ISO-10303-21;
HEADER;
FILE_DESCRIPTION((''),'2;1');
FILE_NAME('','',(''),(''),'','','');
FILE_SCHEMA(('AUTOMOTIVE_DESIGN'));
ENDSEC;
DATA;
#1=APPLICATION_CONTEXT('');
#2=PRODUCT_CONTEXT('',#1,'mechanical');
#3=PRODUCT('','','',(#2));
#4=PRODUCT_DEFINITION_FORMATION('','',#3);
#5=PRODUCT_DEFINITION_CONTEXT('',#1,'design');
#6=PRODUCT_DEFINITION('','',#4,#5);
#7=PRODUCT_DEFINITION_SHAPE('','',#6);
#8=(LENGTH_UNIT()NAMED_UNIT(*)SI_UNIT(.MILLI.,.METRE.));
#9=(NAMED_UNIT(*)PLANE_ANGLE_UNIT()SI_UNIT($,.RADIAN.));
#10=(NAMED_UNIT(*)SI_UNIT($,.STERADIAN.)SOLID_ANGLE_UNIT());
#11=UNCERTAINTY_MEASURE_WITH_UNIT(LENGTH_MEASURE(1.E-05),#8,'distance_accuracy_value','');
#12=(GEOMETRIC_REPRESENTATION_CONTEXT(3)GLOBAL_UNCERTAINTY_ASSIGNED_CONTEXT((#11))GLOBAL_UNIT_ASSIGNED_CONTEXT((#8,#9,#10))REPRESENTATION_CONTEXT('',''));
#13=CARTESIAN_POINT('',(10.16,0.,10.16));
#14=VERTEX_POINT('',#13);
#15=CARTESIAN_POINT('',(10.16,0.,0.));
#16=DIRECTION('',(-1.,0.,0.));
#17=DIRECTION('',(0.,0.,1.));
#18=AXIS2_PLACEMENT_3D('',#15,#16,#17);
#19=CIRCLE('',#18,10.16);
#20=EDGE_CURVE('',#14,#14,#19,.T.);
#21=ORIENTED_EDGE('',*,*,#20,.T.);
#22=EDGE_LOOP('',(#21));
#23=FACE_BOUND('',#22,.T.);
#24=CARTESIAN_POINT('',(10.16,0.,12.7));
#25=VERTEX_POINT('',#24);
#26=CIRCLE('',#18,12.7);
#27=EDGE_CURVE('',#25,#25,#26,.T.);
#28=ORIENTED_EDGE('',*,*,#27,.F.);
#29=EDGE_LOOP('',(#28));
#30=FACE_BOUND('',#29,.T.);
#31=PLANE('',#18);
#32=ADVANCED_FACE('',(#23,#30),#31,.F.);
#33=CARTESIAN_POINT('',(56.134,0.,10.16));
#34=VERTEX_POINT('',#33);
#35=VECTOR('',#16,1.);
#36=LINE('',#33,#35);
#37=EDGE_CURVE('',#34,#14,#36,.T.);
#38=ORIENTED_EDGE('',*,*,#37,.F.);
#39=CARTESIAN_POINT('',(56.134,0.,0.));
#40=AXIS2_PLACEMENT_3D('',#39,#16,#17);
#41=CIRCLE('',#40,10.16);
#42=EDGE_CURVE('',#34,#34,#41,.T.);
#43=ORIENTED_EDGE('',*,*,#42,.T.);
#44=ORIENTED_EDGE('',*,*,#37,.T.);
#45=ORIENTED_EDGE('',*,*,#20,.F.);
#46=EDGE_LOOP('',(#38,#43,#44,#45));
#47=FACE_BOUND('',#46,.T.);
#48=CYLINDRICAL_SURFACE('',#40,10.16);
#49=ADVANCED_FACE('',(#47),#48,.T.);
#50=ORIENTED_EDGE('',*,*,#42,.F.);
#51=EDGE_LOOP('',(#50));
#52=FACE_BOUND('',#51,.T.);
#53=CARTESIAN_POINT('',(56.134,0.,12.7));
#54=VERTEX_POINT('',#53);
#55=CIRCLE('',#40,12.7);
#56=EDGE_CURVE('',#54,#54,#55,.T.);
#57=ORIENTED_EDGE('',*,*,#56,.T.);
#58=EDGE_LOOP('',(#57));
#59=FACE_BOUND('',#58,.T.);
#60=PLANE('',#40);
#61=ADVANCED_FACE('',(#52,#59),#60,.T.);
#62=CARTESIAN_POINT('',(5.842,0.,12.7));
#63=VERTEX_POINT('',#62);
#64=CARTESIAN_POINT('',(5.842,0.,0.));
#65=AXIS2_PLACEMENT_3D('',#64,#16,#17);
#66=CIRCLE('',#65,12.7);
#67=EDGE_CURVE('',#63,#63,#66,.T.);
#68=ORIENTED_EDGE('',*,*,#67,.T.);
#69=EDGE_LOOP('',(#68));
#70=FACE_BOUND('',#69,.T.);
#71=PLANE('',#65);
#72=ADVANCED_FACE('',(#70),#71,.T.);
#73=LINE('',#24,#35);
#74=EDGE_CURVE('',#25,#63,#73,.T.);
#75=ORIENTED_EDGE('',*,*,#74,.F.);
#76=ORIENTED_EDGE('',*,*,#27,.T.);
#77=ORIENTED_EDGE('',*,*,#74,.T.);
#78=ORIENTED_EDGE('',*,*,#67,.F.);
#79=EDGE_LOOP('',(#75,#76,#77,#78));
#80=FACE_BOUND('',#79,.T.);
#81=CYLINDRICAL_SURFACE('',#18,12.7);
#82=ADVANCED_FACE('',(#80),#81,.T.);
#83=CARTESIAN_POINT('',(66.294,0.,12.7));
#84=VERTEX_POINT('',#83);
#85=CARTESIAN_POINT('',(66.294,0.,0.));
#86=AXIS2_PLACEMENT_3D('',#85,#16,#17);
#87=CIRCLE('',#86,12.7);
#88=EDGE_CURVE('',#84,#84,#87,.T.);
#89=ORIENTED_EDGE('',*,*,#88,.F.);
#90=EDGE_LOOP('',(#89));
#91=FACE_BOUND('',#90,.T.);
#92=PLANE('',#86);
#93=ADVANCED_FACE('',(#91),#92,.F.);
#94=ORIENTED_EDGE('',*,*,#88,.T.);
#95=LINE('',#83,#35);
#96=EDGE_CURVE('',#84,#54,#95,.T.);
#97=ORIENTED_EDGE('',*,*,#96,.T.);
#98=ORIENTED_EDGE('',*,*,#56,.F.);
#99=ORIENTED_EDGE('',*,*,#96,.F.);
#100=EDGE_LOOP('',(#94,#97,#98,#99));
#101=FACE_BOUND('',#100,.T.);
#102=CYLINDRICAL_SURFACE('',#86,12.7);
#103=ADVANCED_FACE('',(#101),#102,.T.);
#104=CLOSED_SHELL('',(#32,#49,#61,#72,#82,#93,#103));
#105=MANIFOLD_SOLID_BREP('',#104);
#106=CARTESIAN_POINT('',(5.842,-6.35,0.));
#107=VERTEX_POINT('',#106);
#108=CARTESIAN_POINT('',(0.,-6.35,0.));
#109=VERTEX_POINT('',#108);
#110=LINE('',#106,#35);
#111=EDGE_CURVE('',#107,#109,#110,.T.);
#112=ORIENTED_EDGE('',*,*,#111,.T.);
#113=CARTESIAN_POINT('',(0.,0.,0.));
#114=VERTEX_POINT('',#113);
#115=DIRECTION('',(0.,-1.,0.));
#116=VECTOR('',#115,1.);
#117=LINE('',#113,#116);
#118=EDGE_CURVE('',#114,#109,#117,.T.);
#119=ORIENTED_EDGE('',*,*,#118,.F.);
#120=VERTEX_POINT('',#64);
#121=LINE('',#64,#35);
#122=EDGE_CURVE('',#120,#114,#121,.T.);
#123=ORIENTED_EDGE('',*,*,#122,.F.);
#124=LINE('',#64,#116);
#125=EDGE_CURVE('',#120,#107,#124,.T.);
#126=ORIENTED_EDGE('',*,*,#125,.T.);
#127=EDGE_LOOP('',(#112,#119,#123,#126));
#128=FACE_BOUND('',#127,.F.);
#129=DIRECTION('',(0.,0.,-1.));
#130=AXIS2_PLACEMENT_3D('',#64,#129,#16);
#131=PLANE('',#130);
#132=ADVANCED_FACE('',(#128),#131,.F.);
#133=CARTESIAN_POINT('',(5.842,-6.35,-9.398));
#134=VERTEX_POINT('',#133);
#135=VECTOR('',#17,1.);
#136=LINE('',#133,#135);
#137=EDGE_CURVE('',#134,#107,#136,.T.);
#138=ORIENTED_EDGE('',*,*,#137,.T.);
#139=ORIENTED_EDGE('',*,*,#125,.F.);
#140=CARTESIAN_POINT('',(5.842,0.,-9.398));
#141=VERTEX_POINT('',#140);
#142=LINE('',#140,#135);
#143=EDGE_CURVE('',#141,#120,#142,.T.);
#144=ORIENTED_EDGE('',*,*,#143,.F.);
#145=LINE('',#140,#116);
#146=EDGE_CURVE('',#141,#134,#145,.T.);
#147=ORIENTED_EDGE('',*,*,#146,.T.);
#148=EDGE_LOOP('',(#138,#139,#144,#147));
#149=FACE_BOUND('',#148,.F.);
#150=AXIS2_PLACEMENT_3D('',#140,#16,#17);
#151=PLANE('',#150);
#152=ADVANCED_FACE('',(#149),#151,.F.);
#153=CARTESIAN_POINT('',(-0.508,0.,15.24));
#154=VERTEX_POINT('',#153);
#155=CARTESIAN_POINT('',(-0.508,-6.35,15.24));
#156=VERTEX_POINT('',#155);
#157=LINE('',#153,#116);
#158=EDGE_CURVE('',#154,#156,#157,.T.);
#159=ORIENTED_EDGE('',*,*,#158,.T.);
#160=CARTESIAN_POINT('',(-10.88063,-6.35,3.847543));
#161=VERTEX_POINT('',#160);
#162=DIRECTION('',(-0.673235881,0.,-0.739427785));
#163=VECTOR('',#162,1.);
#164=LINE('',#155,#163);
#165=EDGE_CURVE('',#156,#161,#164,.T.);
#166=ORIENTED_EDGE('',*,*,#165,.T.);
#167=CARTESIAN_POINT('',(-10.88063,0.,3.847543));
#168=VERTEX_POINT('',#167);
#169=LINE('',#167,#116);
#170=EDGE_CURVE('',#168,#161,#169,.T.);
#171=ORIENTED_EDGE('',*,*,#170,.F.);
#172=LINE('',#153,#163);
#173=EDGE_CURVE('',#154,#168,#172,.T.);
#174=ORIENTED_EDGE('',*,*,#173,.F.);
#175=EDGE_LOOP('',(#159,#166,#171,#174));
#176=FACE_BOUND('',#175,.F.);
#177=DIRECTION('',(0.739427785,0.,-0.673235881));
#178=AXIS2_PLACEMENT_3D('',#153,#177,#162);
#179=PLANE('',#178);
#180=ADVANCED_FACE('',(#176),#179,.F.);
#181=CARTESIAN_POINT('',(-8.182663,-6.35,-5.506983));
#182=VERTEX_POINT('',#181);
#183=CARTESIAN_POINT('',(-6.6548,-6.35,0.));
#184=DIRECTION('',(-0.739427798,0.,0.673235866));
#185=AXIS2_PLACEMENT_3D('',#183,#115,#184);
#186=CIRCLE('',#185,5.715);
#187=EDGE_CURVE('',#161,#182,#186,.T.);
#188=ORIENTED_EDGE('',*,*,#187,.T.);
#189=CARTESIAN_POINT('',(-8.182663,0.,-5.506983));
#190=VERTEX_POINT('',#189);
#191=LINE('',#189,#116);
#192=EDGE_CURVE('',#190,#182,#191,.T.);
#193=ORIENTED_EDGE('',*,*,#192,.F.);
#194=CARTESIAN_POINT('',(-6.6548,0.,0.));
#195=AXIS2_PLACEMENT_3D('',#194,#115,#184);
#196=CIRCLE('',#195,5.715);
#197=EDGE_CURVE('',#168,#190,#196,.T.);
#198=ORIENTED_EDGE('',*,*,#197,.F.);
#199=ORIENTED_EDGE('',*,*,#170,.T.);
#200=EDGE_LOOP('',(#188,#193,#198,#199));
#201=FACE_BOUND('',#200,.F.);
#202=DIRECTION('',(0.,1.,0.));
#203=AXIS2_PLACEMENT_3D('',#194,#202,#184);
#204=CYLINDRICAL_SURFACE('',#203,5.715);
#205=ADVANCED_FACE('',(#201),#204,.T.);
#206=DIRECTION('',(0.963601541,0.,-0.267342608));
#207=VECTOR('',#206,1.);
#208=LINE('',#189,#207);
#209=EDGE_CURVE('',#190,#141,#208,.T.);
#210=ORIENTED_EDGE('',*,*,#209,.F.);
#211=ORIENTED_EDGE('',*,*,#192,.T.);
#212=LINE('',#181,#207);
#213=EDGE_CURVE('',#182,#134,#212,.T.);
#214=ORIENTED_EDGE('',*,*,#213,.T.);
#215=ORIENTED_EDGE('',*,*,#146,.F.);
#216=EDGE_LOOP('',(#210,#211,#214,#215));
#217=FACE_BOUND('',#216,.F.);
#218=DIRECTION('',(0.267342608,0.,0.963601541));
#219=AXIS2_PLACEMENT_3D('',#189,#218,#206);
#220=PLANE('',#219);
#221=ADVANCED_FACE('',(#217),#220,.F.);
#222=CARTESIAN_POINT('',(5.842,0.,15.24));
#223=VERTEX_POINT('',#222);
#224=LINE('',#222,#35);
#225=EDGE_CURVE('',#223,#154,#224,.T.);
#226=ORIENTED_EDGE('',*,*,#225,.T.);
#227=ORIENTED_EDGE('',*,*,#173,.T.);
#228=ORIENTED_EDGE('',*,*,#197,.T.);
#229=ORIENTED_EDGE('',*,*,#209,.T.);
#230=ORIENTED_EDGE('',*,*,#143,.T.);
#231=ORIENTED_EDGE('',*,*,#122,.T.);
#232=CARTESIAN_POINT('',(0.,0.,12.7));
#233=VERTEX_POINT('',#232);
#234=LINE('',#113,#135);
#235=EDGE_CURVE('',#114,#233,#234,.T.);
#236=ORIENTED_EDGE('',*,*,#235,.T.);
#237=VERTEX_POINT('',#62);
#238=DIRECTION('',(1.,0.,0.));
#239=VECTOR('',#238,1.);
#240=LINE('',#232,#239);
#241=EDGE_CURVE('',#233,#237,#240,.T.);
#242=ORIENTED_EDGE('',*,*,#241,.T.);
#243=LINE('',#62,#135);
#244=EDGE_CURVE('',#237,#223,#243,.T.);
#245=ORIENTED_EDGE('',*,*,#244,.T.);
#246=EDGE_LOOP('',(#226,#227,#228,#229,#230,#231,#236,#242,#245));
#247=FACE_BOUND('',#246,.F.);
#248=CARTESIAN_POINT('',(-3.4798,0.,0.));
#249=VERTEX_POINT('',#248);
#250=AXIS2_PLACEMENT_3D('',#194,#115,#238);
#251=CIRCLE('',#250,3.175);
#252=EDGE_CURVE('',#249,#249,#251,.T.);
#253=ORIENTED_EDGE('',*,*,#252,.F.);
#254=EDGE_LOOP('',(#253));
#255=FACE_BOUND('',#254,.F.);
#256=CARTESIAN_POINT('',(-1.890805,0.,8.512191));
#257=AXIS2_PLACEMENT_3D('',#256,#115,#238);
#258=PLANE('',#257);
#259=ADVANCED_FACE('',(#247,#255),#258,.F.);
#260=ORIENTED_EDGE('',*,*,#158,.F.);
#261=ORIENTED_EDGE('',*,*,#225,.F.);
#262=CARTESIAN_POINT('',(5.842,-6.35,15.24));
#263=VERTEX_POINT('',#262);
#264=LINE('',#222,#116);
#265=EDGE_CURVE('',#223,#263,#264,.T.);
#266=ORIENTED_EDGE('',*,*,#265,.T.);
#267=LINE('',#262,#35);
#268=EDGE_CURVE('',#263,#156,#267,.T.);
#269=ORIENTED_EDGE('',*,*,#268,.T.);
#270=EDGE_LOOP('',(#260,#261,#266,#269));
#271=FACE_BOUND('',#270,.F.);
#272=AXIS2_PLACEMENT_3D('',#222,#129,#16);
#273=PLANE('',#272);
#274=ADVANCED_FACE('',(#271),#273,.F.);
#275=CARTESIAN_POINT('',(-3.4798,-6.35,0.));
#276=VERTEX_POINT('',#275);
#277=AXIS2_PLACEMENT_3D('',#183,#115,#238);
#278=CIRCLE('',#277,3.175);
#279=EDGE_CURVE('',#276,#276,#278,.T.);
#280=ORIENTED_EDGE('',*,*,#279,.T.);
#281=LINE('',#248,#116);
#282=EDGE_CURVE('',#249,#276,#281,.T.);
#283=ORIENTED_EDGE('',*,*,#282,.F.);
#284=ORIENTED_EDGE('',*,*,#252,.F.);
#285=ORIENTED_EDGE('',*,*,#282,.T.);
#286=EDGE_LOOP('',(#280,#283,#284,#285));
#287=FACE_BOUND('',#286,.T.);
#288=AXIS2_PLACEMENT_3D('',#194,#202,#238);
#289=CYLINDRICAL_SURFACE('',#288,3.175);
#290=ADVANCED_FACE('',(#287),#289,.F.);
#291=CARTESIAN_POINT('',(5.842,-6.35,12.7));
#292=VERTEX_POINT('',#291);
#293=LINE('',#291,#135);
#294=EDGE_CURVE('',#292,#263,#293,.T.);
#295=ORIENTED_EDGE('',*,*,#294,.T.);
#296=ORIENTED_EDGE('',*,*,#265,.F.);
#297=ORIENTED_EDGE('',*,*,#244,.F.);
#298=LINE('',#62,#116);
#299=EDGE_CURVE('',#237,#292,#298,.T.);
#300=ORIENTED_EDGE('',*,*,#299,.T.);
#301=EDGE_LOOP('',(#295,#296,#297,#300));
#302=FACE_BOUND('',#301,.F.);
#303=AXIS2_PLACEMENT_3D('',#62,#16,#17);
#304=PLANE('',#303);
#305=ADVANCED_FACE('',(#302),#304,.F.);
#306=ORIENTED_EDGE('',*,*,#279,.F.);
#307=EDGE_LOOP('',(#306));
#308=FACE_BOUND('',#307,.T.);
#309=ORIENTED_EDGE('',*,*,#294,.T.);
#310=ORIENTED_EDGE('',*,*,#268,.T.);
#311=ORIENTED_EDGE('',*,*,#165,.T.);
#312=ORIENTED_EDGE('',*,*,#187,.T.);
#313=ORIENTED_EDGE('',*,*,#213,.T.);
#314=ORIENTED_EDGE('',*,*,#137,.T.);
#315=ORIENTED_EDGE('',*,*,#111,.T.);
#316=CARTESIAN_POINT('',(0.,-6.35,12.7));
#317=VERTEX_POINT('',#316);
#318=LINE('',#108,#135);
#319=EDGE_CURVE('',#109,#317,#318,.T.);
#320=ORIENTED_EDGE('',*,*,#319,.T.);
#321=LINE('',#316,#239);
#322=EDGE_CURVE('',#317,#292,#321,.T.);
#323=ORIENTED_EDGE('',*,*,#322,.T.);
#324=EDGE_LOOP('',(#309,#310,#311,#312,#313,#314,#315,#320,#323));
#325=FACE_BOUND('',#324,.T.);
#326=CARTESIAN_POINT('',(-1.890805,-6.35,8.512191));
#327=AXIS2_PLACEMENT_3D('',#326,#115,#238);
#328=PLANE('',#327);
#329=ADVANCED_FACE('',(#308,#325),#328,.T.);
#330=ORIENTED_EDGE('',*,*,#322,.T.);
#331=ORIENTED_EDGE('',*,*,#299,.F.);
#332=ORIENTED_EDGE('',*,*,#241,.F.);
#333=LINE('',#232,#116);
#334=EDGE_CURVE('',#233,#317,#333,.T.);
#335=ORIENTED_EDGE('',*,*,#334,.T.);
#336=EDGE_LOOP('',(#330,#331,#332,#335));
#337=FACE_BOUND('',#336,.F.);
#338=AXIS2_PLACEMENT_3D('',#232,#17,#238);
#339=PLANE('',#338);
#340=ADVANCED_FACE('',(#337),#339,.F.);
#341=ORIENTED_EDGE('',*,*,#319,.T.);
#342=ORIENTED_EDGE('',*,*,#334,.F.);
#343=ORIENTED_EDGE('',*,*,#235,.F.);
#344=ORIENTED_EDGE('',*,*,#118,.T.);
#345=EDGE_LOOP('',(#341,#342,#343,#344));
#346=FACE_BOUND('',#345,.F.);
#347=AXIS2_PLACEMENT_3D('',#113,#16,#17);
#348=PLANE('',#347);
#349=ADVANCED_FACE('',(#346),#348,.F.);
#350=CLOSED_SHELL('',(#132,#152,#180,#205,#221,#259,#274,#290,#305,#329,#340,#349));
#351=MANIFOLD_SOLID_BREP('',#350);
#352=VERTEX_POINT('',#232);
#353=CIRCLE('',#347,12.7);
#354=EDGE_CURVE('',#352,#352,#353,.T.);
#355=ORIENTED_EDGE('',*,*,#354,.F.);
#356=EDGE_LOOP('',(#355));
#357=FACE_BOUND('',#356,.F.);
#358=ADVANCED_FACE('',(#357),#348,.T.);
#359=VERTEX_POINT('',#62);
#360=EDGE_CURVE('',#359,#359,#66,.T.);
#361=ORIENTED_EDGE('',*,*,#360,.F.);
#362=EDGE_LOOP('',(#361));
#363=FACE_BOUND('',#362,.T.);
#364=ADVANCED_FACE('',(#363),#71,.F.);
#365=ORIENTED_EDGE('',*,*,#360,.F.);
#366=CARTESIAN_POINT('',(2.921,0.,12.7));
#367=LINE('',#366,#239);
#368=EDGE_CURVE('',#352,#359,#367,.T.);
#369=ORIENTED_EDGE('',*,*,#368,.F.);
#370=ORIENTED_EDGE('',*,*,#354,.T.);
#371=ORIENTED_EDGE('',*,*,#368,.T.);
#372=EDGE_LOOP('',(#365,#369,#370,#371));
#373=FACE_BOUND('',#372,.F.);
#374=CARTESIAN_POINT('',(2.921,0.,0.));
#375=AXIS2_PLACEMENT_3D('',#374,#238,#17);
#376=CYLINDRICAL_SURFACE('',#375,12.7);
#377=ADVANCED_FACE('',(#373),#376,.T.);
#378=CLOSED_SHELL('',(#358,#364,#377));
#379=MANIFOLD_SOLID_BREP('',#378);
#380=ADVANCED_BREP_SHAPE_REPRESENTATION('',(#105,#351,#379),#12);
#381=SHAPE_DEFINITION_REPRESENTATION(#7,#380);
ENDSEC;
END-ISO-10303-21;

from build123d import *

# Parameters (mm, degrees)
F0_R     = 3.175
F2_DEPTH = 6.35
F0_W     = 5.842
F0_H     = 12.7


with BuildPart() as f1:
    # F0 (on Front) → F1 (revolve)
    with BuildSketch(Plane.XZ):
        Polygon((5.842, 12.7), (5.842, 0), (66.294, 0), (66.294, 12.7), (56.134, 12.7), (56.134, 10.16), (10.16, 10.16), (10.16, 12.7), align=None)
    revolve(axis=Axis((33.147, 0, 0), (-1, 0, 0)))


with BuildPart() as f2:
    # F0 (on Front) → F2 (new body)
    with BuildSketch(Plane.XZ):
        with BuildLine():
            Line((-0.9398, 0), (0, 0))
            Line((0, 0), (0, 12.7))
            Line((0, 12.7), (5.842, 12.7))
            Line((5.842, 12.7), (5.842, 15.24))
            Line((5.842, 15.24), (-0.508, 15.24))
            Line((-0.508, 15.24), (-10.88063, 3.847543))
            ThreePointArc((-10.88063, 3.847543), (-4.591961, 5.329721), (-0.9398, 0))
        make_face()
        with BuildLine():
            ThreePointArc((-8.182663, -5.506983), (-3.195791, -4.549339), (-0.9398, 0))
            ThreePointArc((-0.9398, 0), (-4.591961, 5.329721), (-10.88063, 3.847543))
            ThreePointArc((-10.88063, 3.847543), (-12.145978, -1.583727), (-8.182663, -5.506983))
        make_face()
        with Locations((-6.6548, 0)):
            Circle(F0_R, mode=Mode.SUBTRACT)
        with BuildLine():
            Line((5.842, 0), (0, 0))
            Line((0, 0), (-0.9398, 0))
            ThreePointArc((-0.9398, 0), (-3.195791, -4.549339), (-8.182663, -5.506983))
            Line((-8.182663, -5.506983), (5.842, -9.398))
            Line((5.842, -9.398), (5.842, 0))
        make_face()
    extrude(amount=F2_DEPTH)


with BuildPart() as f3:
    # F0 (on Front) → F3 (revolve)
    with BuildSketch(Plane.XZ):
        with Locations((2.921, 6.35)):
            Rectangle(F0_W, F0_H)
    revolve(axis=Axis((33.147, 0, 0), (-1, 0, 0)))


solid = Compound([f1.part, f2.part, f3.part])
